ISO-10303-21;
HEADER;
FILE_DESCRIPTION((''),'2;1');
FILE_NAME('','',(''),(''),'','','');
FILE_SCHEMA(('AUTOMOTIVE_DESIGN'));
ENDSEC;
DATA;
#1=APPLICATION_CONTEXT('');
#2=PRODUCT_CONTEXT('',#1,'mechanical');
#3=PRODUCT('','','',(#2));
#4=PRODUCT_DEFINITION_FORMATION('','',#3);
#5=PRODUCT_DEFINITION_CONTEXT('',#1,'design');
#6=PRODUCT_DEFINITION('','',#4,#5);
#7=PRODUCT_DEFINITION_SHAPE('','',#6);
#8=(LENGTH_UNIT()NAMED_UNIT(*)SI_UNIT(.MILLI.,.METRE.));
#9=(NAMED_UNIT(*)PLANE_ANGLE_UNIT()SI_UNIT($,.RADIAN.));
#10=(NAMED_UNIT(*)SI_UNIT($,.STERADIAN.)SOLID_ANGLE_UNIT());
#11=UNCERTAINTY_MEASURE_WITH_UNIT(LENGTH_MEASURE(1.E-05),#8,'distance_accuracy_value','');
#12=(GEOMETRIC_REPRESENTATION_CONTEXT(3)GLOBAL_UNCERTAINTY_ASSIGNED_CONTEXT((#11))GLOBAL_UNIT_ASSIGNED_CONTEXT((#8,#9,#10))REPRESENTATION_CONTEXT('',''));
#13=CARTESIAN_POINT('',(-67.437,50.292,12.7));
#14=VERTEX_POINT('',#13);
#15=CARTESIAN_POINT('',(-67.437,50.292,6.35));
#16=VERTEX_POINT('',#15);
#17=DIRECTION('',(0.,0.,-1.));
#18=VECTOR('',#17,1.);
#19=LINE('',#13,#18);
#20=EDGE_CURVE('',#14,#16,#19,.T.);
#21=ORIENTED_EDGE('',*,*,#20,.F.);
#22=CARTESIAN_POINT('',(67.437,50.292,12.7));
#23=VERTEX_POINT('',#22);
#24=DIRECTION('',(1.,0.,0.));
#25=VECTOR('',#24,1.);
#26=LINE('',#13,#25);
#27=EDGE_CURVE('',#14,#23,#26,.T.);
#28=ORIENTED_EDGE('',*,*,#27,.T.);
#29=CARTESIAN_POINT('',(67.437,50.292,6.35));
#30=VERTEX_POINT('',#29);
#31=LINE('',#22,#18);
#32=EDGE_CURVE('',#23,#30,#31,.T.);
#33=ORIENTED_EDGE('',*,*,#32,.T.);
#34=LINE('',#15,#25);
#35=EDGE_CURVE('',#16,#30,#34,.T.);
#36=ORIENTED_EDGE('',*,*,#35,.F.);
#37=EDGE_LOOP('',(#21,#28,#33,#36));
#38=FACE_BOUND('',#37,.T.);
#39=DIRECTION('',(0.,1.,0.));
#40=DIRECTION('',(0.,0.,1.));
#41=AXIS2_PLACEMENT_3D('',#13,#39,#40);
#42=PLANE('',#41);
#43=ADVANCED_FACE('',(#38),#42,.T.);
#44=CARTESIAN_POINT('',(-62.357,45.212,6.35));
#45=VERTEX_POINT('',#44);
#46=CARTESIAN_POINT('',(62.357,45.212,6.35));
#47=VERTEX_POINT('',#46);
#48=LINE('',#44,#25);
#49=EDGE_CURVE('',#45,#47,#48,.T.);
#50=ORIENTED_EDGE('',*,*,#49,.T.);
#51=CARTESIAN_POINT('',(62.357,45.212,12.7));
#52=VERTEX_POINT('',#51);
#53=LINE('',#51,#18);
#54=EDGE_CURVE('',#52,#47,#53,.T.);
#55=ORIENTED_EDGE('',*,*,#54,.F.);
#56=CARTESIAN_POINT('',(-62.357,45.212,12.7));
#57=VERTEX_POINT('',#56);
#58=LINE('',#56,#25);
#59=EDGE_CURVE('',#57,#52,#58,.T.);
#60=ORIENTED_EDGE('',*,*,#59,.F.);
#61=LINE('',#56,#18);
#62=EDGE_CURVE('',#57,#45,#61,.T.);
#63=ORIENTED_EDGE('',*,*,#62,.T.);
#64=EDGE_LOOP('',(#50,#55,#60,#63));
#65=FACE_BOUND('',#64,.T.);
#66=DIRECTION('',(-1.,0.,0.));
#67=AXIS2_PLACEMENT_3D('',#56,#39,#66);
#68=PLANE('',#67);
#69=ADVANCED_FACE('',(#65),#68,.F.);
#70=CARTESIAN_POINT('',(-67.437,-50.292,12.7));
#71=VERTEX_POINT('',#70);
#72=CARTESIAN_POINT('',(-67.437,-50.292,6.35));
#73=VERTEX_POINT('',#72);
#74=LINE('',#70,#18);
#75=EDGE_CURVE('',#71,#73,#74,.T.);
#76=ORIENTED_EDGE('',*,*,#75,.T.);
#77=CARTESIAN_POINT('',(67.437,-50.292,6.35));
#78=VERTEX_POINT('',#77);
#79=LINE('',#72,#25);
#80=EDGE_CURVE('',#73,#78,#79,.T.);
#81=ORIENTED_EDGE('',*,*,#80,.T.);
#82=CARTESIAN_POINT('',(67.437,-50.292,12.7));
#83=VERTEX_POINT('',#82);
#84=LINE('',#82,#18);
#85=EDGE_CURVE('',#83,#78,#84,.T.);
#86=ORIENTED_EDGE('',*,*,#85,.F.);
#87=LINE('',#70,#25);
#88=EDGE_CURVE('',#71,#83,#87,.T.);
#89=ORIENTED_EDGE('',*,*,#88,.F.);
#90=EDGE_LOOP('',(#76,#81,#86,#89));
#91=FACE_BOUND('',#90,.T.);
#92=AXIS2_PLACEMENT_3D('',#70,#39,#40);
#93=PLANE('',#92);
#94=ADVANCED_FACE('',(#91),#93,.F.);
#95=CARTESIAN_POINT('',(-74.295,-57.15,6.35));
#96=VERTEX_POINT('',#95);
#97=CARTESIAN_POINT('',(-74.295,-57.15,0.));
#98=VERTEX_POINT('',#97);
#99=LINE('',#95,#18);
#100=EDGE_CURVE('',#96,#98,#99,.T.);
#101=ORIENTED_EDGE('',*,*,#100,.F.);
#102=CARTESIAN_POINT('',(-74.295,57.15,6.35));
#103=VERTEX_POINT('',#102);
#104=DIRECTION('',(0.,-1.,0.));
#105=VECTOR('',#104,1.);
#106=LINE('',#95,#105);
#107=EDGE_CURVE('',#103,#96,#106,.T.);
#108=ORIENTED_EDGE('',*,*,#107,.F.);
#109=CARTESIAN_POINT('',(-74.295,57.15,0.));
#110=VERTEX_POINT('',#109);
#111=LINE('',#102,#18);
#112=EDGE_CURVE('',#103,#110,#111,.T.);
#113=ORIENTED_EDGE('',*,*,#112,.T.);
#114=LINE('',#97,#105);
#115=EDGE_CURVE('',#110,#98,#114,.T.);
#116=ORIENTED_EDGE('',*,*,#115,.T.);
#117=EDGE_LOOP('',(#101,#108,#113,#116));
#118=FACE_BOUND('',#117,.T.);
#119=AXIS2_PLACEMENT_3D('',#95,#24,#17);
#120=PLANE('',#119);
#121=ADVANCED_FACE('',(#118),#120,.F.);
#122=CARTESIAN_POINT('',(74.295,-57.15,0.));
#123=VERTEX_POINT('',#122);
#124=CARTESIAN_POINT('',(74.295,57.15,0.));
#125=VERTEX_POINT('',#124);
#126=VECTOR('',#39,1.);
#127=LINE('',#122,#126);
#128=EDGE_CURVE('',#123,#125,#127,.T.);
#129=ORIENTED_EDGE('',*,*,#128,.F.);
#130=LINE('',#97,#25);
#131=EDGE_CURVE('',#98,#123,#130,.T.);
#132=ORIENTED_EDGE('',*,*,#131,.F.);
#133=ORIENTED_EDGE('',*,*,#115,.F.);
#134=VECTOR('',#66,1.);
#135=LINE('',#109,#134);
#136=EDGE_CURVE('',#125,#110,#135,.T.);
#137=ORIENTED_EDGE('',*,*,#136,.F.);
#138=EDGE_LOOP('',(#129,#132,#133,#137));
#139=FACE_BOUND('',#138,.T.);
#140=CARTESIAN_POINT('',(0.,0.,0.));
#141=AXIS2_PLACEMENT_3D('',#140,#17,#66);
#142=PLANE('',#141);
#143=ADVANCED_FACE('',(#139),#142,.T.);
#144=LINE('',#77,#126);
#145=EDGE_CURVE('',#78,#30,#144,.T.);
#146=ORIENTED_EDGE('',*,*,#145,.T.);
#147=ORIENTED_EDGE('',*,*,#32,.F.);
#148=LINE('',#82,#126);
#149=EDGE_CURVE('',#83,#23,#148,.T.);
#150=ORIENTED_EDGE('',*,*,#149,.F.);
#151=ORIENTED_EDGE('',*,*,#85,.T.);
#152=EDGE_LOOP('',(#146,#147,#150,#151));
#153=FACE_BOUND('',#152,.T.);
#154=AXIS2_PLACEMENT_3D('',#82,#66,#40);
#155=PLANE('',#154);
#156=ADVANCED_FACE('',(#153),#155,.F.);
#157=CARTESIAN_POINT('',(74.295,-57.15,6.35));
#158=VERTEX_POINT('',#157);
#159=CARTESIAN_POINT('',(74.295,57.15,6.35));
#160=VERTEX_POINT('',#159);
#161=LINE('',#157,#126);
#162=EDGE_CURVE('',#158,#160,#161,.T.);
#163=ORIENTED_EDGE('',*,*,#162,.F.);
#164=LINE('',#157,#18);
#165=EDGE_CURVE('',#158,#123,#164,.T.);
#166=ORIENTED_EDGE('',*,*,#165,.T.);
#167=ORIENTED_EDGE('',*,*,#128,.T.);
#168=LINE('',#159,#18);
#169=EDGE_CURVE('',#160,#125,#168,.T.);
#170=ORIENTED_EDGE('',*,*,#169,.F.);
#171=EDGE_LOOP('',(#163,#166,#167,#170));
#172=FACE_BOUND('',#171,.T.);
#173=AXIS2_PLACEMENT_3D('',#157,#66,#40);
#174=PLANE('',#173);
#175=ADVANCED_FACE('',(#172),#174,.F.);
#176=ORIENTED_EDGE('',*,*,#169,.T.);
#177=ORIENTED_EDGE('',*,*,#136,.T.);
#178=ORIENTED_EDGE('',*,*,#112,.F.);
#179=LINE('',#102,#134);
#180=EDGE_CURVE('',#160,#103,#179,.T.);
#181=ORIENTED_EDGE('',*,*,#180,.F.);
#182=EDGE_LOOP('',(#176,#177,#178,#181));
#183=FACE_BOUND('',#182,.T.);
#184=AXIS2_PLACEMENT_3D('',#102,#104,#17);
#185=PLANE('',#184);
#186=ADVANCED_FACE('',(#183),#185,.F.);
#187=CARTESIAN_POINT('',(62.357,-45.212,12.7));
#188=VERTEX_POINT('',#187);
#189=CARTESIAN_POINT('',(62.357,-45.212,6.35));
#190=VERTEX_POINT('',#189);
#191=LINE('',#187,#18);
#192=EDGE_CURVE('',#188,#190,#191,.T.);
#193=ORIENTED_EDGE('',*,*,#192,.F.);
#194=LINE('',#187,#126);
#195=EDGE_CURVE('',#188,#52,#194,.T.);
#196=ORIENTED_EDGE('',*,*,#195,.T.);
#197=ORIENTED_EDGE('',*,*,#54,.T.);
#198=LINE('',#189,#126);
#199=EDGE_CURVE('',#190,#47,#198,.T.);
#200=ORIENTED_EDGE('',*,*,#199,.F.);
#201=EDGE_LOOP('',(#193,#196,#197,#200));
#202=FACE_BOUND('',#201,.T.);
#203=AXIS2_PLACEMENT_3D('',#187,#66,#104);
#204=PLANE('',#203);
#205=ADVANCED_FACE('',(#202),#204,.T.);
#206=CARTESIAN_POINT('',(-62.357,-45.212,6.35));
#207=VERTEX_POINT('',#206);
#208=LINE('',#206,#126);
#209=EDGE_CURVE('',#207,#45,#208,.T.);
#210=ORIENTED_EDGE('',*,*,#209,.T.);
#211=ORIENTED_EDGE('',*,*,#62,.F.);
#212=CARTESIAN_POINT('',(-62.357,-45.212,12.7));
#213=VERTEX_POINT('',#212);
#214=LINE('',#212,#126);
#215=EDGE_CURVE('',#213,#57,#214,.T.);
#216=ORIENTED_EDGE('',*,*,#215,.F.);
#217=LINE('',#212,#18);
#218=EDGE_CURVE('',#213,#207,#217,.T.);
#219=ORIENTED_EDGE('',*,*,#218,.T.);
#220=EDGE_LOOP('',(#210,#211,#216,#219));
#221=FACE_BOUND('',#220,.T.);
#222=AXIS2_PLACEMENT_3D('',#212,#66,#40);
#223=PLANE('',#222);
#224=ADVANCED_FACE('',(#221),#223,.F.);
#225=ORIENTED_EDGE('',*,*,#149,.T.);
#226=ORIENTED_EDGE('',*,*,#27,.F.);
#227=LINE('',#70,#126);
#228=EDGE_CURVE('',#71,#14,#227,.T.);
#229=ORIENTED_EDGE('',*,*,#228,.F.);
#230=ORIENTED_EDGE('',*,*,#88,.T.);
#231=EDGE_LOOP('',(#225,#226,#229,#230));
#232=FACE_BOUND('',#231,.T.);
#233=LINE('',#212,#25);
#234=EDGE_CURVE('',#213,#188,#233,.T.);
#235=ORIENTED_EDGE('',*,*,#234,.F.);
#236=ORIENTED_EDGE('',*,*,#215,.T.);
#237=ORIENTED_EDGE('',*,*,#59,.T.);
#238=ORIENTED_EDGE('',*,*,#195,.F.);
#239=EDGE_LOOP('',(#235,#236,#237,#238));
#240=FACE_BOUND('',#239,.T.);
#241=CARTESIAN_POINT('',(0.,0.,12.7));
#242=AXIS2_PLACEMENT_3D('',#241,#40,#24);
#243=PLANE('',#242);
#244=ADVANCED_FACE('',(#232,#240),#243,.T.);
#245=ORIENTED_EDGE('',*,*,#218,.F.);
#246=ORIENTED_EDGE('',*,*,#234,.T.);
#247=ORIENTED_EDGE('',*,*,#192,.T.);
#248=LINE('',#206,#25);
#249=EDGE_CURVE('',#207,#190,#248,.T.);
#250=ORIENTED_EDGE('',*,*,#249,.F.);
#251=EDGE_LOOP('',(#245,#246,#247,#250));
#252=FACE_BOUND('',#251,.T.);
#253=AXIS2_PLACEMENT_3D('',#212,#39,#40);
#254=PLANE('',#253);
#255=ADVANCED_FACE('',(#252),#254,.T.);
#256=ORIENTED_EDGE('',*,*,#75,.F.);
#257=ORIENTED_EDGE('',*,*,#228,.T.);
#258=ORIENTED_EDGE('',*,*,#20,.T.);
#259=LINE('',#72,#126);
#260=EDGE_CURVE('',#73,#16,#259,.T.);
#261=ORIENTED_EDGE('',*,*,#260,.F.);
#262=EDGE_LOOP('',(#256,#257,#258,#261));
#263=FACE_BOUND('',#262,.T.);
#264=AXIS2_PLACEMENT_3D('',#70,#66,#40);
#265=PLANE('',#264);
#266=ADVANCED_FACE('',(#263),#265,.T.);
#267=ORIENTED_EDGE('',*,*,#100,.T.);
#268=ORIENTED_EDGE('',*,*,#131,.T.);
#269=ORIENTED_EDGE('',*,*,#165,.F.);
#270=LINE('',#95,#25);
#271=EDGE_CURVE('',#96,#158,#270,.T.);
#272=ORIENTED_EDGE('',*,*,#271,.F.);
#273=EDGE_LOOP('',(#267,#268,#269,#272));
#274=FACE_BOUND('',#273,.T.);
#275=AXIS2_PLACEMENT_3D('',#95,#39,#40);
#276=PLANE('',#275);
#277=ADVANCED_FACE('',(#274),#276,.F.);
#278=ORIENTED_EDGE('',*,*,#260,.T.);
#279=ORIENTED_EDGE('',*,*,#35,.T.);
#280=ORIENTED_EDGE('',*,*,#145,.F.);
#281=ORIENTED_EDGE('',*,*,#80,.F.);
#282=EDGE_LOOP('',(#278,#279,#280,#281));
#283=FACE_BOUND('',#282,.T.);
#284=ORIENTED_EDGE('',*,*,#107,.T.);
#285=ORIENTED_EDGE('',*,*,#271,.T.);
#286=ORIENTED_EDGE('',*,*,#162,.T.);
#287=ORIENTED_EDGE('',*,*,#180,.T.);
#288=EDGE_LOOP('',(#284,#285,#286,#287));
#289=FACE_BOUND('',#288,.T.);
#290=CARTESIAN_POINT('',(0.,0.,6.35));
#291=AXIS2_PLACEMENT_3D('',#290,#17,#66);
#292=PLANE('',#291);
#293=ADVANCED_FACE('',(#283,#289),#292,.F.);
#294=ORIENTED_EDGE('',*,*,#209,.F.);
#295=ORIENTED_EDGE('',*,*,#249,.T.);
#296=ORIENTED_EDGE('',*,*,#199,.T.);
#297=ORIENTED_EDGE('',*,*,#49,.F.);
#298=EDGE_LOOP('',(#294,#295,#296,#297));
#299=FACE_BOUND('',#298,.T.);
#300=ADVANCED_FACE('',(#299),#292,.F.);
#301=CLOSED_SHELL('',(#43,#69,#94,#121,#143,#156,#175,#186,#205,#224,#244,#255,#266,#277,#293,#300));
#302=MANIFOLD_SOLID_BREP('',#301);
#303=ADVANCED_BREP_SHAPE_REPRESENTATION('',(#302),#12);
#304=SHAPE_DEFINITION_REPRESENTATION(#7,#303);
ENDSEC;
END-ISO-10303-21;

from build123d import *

# Parameters (mm, degrees)
SKETCH1_W           = 148.59
SKETCH1_H           = 114.3
BOSS_EXTRUDE1_DEPTH = 6.35
SKETCH2_W           = 134.874
SKETCH2_H           = 100.584
SKETCH2_W_2         = 124.714
SKETCH2_H_2         = 90.424
BOSS_EXTRUDE2_DEPTH = 6.35


with BuildPart() as part:
    # Sketch1 → Boss-Extrude1 (new body)
    with BuildSketch(Plane.XY):
        Rectangle(SKETCH1_W, SKETCH1_H)
    extrude(amount=BOSS_EXTRUDE1_DEPTH)

    # Sketch2 → Boss-Extrude2 (add)
    with BuildSketch(Plane.XY.offset(6.35)):
        Rectangle(SKETCH2_W, SKETCH2_H)
        Rectangle(SKETCH2_W_2, SKETCH2_H_2, mode=Mode.SUBTRACT)
    extrude(amount=BOSS_EXTRUDE2_DEPTH)


solid = part.part
